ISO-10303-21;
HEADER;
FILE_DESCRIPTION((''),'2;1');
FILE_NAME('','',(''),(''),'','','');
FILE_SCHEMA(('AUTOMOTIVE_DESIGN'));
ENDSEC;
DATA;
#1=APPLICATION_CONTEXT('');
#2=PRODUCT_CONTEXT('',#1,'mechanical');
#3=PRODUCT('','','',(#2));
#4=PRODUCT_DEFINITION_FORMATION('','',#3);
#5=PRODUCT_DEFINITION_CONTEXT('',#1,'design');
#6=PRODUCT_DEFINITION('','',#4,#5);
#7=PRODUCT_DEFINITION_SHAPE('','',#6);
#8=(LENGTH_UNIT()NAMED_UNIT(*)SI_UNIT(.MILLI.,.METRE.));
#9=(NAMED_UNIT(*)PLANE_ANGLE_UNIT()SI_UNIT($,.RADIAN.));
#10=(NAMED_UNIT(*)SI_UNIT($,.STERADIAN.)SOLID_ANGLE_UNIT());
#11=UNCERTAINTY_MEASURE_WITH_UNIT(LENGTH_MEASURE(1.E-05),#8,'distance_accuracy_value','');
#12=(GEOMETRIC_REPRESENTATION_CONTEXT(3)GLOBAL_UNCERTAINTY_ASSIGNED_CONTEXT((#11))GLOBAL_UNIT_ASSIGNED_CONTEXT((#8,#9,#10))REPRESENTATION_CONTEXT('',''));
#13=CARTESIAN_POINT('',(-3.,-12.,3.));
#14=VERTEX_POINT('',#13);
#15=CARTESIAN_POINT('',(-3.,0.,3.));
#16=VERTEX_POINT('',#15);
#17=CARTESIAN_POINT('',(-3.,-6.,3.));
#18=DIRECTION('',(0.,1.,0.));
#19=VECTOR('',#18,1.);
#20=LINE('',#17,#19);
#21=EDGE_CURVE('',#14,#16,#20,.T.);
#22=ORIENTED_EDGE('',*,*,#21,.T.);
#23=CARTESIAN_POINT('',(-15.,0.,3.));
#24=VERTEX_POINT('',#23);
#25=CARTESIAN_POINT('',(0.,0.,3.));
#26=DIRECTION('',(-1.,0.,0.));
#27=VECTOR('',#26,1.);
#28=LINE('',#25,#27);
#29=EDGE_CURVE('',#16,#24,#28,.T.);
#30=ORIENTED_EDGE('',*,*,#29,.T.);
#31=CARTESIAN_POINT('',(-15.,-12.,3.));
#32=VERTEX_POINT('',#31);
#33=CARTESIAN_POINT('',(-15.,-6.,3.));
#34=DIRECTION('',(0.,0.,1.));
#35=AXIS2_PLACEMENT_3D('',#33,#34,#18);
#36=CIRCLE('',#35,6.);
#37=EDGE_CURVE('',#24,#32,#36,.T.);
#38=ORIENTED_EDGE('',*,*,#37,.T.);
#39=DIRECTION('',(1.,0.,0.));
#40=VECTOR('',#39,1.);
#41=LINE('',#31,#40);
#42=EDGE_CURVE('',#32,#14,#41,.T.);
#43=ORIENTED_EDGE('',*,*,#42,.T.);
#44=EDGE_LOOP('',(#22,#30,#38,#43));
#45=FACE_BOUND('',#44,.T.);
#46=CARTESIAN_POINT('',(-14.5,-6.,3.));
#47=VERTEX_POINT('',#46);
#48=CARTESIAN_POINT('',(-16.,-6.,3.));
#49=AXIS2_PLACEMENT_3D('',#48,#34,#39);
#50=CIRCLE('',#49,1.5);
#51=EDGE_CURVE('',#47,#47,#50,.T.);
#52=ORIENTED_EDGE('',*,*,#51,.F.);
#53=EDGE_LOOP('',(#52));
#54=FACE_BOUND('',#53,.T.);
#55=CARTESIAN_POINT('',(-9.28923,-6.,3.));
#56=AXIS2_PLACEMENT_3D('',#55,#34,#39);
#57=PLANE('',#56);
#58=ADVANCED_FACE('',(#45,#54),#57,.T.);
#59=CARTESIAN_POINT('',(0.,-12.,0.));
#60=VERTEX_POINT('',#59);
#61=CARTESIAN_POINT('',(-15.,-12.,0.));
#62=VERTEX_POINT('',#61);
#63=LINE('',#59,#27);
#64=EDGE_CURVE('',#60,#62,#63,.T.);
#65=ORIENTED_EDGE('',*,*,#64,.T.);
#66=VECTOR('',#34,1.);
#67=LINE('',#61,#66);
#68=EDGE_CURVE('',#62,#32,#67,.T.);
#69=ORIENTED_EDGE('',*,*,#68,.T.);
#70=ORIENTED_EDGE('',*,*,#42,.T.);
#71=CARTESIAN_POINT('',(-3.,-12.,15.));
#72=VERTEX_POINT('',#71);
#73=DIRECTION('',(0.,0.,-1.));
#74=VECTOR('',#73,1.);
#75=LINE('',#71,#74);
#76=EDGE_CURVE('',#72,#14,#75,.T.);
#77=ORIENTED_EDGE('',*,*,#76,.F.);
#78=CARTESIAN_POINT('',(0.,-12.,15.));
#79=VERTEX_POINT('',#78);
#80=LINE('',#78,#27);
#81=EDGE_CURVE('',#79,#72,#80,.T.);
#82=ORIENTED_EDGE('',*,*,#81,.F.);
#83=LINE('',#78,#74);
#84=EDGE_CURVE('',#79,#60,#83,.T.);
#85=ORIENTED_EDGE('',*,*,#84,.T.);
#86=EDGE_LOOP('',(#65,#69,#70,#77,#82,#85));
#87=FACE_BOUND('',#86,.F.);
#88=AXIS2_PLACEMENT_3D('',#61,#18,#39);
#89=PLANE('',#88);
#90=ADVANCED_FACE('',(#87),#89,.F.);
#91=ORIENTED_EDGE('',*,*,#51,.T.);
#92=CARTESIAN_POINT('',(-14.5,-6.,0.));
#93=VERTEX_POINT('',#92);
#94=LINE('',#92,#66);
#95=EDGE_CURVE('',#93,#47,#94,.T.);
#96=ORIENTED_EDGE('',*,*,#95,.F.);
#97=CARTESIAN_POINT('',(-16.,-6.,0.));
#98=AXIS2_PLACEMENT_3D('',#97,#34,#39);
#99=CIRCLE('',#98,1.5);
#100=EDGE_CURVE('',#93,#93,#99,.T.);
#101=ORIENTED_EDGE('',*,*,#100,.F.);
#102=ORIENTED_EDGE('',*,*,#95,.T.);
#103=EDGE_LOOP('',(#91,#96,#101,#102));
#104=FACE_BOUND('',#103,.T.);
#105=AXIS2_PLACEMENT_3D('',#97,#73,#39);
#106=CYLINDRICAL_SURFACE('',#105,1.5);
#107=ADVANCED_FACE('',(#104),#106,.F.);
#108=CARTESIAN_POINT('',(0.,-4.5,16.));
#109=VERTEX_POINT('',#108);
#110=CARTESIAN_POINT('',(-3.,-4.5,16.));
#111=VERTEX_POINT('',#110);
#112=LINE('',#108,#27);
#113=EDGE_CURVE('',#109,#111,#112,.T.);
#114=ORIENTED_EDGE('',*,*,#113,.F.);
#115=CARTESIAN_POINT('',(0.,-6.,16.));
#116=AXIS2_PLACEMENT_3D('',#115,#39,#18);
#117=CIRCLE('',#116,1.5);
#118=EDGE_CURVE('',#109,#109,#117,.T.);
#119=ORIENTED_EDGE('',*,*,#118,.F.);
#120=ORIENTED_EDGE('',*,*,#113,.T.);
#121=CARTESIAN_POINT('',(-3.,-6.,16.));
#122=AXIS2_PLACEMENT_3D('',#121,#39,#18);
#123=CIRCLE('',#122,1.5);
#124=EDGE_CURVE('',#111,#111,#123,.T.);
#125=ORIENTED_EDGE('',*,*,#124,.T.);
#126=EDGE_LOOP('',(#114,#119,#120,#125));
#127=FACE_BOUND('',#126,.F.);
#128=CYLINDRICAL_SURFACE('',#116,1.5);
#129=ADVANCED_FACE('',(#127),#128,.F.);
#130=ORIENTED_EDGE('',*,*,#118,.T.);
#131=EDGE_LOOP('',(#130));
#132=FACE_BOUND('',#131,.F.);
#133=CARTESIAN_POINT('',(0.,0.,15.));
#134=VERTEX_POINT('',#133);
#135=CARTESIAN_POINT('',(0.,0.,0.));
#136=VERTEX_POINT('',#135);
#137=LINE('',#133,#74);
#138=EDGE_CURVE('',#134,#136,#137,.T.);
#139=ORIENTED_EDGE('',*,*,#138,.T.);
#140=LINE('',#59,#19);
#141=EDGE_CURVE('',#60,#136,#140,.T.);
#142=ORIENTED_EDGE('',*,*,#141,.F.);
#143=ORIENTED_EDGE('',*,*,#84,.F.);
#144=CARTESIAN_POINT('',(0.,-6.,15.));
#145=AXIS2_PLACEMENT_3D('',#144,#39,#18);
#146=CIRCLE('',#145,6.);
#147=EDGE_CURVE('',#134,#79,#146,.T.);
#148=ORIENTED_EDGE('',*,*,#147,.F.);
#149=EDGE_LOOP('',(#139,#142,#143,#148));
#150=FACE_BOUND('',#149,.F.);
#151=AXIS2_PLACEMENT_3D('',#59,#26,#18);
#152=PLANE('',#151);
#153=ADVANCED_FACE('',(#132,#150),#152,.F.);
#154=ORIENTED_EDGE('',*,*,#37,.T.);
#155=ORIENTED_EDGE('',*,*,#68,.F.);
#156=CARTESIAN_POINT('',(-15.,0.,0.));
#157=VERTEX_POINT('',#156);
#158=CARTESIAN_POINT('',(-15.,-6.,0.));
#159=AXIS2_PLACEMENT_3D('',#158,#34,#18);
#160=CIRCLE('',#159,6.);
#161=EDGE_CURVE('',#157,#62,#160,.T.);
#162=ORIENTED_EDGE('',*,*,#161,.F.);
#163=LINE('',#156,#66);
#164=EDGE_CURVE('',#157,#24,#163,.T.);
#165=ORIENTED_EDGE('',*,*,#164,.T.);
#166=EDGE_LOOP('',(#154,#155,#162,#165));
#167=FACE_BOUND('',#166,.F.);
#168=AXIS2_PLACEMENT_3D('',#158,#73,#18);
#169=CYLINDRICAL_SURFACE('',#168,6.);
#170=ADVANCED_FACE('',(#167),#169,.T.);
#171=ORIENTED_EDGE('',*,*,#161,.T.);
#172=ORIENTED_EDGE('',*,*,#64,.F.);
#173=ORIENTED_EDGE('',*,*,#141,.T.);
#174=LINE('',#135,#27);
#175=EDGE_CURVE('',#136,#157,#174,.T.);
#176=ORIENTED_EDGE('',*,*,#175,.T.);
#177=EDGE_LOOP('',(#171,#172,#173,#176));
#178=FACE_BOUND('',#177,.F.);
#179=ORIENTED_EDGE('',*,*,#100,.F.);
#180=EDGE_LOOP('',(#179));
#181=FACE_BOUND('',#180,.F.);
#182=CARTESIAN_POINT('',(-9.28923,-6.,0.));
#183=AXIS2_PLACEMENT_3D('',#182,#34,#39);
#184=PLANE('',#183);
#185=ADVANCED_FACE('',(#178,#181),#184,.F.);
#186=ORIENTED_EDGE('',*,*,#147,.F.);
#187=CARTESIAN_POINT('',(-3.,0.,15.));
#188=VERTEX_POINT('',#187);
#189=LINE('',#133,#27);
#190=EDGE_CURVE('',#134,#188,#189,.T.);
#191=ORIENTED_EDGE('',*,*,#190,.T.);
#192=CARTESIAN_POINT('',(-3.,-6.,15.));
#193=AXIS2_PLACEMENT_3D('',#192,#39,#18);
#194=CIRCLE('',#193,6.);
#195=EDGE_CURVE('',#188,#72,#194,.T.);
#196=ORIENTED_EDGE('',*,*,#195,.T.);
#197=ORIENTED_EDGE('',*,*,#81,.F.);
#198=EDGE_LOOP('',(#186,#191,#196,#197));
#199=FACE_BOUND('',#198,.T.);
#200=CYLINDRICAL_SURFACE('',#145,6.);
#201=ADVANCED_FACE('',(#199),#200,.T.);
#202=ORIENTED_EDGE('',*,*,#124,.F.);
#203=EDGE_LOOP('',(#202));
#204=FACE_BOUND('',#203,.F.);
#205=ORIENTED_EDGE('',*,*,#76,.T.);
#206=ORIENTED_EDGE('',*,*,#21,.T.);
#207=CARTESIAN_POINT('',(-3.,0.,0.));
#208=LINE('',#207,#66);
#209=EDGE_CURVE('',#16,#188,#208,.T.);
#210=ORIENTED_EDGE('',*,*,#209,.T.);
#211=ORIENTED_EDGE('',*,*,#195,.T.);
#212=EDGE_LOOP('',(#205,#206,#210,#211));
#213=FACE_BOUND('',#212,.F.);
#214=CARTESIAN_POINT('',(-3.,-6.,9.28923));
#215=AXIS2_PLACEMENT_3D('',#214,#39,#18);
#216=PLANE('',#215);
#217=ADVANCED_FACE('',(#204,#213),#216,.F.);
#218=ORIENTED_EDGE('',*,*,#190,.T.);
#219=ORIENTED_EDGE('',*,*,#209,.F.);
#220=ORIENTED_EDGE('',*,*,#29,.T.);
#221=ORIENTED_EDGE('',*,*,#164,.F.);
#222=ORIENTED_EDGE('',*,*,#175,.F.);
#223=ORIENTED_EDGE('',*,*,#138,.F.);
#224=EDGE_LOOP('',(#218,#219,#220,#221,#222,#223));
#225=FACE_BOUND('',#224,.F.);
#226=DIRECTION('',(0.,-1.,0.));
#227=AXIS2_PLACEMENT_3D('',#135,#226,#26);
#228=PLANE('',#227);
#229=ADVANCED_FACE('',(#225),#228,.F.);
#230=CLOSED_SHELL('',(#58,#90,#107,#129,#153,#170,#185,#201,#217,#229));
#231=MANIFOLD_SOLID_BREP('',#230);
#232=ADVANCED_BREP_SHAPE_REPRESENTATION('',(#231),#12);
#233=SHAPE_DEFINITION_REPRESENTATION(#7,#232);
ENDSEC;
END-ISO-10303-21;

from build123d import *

# Parameters (mm, degrees)
F0_R     = 1.5
F2_DEPTH = 3
F1_R     = 1.5
F3_DEPTH = 3


with BuildPart() as f2:
    # F0 (on Top) → F2 (new body)
    with BuildSketch(Plane.XY):
        with BuildLine():
            Line((0, 0), (-15, 0))
            ThreePointArc((-15, 0), (-21, -6), (-15, -12))
            Line((-15, -12), (0, -12))
            Line((0, -12), (0, 0))
        make_face()
        with Locations((-16, -6)):
            Circle(F0_R, mode=Mode.SUBTRACT)
    extrude(amount=F2_DEPTH)

    # F1 (on Right) → F3 (join)
    with BuildSketch(Plane.YZ):
        with BuildLine():
            Line((-12, 0), (0, 0))
            Line((0, 0), (0, 15))
            ThreePointArc((0, 15), (-6, 21), (-12, 15))
            Line((-12, 15), (-12, 0))
        make_face()
        with Locations((-6, 16)):
            Circle(F1_R, mode=Mode.SUBTRACT)
    extrude(amount=-F3_DEPTH)


solid = f2.part
